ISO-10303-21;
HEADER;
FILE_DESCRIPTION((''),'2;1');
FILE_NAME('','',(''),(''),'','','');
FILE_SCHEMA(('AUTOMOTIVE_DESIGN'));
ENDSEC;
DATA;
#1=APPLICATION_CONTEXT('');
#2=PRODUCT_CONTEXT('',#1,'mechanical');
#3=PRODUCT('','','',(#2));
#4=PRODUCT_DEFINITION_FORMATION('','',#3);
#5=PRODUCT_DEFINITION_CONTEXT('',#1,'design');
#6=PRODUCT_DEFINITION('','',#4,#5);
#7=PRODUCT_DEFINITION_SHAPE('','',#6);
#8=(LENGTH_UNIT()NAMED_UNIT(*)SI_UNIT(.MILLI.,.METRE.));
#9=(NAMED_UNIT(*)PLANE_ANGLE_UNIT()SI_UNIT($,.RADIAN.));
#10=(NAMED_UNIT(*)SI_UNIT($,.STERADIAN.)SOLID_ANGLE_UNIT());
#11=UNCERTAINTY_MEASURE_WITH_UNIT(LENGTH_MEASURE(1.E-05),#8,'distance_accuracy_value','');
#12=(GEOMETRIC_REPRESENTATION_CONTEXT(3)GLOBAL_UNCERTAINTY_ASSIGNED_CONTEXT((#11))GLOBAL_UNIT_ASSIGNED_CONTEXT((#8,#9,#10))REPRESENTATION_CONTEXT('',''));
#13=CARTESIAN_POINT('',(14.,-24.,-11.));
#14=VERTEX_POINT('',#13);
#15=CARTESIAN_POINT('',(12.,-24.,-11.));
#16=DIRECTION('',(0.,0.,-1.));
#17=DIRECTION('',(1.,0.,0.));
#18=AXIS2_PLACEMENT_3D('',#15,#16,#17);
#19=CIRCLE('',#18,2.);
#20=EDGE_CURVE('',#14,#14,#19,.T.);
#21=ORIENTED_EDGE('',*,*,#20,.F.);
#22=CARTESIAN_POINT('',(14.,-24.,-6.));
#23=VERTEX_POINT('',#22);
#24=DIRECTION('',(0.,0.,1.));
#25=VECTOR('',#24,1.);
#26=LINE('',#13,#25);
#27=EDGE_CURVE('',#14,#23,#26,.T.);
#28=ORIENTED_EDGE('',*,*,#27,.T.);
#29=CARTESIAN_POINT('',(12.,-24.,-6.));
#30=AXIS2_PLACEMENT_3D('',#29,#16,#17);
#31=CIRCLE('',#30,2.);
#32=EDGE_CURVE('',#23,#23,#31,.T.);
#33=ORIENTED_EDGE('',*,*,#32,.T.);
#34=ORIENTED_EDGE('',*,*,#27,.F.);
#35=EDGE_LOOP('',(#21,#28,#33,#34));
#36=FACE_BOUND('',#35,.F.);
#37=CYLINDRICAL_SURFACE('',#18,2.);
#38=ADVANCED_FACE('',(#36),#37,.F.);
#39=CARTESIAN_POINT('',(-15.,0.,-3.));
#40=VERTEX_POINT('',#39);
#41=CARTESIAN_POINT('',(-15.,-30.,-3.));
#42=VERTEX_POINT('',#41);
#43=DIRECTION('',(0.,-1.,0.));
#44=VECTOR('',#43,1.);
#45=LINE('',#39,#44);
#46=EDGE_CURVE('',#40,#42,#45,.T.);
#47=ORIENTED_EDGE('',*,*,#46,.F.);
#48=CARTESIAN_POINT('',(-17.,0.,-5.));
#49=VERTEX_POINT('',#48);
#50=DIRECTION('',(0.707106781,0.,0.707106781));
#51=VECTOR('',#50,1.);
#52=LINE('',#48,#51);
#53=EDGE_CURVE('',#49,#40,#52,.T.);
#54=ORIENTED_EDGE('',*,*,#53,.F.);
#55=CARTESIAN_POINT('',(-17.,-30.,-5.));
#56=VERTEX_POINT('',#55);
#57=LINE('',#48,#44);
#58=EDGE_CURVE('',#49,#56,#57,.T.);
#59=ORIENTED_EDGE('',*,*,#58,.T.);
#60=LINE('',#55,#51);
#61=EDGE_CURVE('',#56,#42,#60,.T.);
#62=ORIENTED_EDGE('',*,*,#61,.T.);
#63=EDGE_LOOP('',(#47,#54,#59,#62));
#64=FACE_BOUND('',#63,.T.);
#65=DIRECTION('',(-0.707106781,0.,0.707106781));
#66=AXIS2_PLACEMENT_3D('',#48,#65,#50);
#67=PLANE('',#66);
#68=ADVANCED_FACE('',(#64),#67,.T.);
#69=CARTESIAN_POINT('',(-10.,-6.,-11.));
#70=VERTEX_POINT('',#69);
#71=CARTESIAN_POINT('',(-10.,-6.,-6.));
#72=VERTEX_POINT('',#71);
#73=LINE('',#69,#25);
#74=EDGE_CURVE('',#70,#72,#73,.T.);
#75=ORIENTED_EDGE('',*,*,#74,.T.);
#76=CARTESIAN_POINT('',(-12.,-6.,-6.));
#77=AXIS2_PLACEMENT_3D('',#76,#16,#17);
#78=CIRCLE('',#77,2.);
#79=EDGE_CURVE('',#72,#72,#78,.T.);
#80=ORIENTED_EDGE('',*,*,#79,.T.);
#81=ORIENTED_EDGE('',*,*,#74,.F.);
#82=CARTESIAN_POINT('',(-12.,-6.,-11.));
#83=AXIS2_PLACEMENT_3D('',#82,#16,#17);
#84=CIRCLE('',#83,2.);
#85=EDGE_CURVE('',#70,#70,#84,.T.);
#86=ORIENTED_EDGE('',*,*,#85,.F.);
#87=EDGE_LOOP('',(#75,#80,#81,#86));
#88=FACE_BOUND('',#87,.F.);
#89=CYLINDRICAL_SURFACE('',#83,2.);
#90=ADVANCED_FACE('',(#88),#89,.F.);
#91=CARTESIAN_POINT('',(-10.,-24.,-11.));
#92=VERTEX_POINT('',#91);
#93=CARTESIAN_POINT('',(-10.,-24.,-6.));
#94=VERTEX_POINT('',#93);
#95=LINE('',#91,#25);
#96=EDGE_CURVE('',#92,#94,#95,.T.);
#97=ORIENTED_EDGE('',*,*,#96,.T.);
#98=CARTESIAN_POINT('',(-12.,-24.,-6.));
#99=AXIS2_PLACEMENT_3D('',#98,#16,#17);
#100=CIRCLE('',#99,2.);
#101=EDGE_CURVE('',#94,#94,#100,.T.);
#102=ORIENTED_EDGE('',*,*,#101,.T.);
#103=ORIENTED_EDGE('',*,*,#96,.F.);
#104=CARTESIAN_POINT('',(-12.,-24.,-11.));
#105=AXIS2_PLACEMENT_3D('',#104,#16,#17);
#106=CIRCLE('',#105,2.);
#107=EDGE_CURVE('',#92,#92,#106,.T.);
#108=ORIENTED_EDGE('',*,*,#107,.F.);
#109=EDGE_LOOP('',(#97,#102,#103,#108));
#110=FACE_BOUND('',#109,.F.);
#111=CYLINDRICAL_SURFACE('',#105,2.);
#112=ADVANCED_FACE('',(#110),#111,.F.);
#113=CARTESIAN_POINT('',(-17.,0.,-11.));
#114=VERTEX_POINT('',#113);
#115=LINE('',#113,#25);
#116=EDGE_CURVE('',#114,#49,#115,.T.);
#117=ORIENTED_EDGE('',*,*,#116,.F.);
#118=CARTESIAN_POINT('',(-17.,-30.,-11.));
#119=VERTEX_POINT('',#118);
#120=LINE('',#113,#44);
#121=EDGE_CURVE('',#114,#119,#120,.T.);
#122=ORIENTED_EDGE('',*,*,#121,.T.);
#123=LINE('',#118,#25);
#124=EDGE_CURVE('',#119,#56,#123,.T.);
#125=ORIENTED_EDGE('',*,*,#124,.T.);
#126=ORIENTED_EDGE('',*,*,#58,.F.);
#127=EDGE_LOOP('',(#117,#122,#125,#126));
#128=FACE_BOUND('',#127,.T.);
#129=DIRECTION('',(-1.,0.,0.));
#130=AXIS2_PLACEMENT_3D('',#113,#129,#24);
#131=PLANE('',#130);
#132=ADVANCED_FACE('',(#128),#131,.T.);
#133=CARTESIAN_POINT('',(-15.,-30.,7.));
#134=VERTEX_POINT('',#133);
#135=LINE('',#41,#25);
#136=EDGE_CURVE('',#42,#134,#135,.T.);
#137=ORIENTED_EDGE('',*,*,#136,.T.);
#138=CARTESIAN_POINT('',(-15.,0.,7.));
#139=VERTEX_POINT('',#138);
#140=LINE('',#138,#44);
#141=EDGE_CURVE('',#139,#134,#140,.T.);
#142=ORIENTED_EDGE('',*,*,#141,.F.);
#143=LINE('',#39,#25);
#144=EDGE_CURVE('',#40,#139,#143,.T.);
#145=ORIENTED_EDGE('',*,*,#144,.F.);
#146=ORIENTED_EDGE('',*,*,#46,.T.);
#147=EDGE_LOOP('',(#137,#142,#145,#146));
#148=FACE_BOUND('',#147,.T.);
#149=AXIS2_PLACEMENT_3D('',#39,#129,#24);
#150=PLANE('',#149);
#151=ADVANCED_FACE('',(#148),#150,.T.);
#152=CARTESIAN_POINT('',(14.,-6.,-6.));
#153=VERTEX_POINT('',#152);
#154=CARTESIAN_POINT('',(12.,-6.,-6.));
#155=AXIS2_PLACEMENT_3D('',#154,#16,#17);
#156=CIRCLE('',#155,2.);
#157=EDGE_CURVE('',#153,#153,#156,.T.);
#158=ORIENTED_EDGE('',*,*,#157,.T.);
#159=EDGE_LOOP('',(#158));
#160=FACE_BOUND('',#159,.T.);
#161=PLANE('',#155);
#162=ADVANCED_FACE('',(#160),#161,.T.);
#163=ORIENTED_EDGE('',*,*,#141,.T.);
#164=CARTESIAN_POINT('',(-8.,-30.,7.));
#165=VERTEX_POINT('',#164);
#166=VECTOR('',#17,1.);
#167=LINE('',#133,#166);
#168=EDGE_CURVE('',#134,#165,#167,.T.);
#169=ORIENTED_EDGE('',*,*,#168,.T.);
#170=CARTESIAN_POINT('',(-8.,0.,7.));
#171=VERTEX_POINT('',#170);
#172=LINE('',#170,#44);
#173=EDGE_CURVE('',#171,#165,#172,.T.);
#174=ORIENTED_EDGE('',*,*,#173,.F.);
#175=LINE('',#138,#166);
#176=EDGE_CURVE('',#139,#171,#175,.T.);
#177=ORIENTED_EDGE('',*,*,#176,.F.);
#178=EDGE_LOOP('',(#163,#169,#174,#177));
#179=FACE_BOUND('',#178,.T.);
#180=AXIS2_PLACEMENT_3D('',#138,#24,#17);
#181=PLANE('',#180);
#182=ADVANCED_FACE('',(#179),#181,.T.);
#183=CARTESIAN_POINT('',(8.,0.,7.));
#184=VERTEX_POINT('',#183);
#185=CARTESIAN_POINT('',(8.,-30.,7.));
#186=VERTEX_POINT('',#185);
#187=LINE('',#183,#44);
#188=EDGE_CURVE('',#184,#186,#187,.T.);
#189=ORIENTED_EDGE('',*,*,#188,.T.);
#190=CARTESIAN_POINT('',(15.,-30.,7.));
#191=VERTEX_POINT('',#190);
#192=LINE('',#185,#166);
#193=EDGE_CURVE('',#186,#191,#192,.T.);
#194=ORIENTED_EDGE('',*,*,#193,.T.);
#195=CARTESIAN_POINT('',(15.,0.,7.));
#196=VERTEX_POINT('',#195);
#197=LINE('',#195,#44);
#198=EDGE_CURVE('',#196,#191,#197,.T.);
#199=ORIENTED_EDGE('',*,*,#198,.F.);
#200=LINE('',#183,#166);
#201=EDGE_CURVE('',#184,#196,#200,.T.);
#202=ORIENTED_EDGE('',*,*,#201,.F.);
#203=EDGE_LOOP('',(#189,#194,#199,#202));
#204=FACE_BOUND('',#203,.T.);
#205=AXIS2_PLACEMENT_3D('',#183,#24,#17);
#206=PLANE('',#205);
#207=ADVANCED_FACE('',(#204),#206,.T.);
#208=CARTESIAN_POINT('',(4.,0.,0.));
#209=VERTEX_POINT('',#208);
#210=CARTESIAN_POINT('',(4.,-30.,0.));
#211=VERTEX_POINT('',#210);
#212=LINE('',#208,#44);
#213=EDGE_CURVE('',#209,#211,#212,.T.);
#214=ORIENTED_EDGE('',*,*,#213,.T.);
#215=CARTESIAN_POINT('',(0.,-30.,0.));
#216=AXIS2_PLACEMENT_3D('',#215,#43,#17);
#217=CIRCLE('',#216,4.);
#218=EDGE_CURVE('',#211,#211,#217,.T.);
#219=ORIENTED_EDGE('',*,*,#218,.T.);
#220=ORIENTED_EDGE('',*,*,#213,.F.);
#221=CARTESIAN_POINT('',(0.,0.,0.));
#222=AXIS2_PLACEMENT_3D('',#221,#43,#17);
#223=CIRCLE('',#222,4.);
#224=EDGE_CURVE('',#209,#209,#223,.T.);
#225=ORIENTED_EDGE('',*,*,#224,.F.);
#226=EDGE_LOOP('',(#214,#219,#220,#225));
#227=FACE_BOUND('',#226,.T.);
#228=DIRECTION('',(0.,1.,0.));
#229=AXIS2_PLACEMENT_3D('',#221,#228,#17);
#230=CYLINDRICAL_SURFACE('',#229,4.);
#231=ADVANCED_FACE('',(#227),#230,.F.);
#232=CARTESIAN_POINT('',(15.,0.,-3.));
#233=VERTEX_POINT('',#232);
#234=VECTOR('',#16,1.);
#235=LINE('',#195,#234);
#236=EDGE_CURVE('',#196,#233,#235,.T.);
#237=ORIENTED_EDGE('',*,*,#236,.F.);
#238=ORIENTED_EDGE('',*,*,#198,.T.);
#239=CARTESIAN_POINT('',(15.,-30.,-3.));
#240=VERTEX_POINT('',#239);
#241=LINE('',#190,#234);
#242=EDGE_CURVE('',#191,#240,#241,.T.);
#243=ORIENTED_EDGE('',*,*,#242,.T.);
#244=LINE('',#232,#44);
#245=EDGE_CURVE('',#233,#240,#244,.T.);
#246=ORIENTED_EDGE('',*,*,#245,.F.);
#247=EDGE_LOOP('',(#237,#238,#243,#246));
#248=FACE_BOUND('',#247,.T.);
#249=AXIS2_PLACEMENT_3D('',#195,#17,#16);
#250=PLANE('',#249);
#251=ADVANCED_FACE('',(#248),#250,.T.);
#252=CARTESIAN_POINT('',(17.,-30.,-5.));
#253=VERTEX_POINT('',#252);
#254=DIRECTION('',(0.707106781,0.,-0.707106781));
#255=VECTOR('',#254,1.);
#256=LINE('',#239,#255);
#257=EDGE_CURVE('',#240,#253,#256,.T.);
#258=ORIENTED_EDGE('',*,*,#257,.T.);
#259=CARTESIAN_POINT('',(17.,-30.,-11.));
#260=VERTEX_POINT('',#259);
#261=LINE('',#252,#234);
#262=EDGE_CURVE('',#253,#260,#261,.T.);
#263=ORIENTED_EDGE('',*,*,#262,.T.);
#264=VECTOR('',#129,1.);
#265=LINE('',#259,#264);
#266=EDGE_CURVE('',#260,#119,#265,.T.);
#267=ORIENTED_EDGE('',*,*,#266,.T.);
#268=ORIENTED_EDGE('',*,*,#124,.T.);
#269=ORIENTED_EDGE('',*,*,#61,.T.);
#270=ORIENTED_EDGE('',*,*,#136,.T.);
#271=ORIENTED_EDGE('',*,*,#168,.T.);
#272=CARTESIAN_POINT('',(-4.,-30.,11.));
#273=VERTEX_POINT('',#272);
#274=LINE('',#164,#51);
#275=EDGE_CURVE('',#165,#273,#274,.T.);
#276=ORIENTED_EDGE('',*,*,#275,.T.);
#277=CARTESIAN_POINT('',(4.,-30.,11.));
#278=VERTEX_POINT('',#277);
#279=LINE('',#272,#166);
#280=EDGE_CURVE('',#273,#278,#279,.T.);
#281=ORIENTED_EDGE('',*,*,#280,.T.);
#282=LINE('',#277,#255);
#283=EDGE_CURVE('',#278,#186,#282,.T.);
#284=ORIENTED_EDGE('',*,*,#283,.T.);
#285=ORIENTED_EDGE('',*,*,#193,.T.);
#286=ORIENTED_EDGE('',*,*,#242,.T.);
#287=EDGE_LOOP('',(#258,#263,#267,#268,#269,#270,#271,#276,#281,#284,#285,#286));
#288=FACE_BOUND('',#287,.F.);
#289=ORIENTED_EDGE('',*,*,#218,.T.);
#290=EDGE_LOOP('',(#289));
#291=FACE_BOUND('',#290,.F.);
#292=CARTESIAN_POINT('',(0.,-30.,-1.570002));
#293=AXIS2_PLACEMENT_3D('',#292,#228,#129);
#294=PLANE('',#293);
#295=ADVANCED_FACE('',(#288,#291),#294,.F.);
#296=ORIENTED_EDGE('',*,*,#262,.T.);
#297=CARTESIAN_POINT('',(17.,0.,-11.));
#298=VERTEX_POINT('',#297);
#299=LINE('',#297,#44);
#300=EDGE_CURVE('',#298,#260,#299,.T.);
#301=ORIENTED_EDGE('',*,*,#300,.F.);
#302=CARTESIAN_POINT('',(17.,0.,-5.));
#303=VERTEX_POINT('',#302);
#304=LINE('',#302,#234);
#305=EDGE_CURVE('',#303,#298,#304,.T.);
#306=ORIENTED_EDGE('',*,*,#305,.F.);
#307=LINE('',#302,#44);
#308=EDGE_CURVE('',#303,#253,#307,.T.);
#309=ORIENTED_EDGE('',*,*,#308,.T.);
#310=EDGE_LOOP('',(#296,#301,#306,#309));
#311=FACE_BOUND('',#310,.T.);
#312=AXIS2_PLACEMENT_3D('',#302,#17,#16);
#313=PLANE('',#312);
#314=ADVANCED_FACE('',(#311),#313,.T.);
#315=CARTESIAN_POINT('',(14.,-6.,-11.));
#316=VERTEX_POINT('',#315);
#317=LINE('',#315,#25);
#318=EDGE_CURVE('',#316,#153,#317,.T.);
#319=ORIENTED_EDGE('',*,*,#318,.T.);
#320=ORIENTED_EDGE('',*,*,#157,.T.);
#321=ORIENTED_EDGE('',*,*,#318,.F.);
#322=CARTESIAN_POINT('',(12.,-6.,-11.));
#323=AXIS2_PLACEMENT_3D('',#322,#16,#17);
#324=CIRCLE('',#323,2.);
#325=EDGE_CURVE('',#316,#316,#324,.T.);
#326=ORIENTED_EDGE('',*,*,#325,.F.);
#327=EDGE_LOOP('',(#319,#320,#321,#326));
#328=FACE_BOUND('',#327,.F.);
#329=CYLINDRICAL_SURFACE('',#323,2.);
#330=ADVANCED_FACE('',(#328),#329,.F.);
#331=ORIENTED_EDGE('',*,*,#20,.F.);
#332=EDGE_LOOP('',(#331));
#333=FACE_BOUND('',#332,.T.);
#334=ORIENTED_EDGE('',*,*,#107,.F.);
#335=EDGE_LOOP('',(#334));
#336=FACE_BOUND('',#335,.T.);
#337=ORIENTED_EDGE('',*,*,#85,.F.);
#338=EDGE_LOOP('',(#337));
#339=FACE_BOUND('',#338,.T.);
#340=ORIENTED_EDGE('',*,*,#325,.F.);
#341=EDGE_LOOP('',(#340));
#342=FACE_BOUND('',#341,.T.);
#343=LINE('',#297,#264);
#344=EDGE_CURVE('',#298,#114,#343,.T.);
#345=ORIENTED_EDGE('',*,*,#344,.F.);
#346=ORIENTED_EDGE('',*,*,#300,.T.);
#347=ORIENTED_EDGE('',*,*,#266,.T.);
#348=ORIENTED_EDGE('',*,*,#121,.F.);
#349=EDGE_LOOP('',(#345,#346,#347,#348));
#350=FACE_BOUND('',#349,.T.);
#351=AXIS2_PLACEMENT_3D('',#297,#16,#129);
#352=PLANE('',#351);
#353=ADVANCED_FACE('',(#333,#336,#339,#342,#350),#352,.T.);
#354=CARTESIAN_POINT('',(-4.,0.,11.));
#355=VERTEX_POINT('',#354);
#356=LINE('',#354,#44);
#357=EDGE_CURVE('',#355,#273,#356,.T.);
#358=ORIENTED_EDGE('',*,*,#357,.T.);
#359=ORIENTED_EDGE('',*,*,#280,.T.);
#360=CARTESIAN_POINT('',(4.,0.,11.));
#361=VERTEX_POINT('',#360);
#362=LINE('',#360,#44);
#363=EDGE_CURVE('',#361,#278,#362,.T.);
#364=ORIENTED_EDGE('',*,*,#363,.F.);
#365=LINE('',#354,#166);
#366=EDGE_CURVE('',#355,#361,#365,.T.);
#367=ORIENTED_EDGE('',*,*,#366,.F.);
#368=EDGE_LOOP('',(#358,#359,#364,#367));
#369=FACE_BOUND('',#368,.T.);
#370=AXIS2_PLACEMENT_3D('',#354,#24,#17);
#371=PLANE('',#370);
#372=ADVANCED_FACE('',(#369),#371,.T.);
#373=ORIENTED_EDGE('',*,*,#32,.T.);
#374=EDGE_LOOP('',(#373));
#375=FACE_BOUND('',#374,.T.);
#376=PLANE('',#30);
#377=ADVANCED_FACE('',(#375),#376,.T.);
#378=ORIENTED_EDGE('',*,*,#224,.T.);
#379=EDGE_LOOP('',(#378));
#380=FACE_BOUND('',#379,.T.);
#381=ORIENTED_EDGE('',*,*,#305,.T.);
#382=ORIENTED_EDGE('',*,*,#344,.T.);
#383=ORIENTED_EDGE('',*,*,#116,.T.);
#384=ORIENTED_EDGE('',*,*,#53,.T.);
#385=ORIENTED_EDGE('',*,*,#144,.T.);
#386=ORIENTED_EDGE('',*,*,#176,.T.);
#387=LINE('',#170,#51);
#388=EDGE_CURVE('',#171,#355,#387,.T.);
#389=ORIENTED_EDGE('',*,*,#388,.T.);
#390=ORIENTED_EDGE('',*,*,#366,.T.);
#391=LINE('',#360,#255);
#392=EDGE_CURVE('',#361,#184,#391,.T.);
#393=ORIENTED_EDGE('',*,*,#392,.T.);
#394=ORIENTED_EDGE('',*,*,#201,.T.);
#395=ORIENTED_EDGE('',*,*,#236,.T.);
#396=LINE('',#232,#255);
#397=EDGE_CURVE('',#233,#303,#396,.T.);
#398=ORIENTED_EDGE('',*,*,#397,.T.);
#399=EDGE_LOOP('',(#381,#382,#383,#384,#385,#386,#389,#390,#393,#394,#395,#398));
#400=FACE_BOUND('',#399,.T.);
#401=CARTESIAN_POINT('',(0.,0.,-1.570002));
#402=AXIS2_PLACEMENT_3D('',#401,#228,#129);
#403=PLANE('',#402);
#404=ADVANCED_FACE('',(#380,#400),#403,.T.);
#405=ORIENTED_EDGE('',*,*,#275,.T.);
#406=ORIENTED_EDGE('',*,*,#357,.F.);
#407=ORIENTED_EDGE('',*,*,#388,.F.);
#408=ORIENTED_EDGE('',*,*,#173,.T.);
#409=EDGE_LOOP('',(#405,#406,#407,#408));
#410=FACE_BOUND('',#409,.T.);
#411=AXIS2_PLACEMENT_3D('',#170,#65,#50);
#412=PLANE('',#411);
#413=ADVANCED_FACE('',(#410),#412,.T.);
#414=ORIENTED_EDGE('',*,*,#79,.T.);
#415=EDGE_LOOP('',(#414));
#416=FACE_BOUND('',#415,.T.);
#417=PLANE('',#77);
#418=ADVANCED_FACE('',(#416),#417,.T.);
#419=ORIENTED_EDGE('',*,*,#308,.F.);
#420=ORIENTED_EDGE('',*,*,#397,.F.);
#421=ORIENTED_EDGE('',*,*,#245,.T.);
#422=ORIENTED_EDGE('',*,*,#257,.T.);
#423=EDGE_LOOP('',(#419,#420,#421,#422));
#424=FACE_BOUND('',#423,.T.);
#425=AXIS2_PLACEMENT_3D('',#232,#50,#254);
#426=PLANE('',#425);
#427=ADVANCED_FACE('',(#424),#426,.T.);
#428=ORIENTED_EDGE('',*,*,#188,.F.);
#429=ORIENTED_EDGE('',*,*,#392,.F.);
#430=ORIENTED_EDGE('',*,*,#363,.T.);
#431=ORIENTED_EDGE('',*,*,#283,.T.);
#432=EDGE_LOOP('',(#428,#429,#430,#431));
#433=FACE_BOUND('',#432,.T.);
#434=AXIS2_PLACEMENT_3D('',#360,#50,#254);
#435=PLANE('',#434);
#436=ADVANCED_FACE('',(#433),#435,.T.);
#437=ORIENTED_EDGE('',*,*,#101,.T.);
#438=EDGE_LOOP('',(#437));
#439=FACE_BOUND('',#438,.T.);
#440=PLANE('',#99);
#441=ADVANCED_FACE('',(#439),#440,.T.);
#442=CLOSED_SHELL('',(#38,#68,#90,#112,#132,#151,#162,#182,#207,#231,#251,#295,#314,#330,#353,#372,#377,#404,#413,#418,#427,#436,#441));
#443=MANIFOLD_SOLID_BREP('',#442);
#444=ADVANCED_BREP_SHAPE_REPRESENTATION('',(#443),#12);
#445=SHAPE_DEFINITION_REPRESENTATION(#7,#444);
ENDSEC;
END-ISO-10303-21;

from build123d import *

# Parameters (mm, degrees)
SKETCH_R     = 4
PAD_DEPTH    = 30
SKETCH001_R  = 2
POCKET_DEPTH = 5


with BuildPart() as part:
    # Sketch → Pad (new body)
    with BuildSketch(Plane.XZ):
        Polygon((-17, -11), (-17, -5), (-15, -3), (-15, 7), (-8, 7), (-4, 11), (4, 11), (8, 7), (15, 7), (15, -3), (17, -5), (17, -11), align=None)
        Circle(SKETCH_R, mode=Mode.SUBTRACT)
    extrude(amount=PAD_DEPTH)

    # Sketch001 (on Face12 of Pad) → Pocket (cut)
    with BuildSketch(Plane(origin=(0, 0, -11), x_dir=(1, 0, 0), z_dir=(0, 0, -1))):
        with Locations((-12, 24)):
            Circle(SKETCH001_R)
        with Locations((12, 24)):
            Circle(SKETCH001_R)
        with Locations((-12, 6)):
            Circle(SKETCH001_R)
        with Locations((12, 6)):
            Circle(SKETCH001_R)
    extrude(amount=-POCKET_DEPTH, mode=Mode.SUBTRACT)


solid = part.part
